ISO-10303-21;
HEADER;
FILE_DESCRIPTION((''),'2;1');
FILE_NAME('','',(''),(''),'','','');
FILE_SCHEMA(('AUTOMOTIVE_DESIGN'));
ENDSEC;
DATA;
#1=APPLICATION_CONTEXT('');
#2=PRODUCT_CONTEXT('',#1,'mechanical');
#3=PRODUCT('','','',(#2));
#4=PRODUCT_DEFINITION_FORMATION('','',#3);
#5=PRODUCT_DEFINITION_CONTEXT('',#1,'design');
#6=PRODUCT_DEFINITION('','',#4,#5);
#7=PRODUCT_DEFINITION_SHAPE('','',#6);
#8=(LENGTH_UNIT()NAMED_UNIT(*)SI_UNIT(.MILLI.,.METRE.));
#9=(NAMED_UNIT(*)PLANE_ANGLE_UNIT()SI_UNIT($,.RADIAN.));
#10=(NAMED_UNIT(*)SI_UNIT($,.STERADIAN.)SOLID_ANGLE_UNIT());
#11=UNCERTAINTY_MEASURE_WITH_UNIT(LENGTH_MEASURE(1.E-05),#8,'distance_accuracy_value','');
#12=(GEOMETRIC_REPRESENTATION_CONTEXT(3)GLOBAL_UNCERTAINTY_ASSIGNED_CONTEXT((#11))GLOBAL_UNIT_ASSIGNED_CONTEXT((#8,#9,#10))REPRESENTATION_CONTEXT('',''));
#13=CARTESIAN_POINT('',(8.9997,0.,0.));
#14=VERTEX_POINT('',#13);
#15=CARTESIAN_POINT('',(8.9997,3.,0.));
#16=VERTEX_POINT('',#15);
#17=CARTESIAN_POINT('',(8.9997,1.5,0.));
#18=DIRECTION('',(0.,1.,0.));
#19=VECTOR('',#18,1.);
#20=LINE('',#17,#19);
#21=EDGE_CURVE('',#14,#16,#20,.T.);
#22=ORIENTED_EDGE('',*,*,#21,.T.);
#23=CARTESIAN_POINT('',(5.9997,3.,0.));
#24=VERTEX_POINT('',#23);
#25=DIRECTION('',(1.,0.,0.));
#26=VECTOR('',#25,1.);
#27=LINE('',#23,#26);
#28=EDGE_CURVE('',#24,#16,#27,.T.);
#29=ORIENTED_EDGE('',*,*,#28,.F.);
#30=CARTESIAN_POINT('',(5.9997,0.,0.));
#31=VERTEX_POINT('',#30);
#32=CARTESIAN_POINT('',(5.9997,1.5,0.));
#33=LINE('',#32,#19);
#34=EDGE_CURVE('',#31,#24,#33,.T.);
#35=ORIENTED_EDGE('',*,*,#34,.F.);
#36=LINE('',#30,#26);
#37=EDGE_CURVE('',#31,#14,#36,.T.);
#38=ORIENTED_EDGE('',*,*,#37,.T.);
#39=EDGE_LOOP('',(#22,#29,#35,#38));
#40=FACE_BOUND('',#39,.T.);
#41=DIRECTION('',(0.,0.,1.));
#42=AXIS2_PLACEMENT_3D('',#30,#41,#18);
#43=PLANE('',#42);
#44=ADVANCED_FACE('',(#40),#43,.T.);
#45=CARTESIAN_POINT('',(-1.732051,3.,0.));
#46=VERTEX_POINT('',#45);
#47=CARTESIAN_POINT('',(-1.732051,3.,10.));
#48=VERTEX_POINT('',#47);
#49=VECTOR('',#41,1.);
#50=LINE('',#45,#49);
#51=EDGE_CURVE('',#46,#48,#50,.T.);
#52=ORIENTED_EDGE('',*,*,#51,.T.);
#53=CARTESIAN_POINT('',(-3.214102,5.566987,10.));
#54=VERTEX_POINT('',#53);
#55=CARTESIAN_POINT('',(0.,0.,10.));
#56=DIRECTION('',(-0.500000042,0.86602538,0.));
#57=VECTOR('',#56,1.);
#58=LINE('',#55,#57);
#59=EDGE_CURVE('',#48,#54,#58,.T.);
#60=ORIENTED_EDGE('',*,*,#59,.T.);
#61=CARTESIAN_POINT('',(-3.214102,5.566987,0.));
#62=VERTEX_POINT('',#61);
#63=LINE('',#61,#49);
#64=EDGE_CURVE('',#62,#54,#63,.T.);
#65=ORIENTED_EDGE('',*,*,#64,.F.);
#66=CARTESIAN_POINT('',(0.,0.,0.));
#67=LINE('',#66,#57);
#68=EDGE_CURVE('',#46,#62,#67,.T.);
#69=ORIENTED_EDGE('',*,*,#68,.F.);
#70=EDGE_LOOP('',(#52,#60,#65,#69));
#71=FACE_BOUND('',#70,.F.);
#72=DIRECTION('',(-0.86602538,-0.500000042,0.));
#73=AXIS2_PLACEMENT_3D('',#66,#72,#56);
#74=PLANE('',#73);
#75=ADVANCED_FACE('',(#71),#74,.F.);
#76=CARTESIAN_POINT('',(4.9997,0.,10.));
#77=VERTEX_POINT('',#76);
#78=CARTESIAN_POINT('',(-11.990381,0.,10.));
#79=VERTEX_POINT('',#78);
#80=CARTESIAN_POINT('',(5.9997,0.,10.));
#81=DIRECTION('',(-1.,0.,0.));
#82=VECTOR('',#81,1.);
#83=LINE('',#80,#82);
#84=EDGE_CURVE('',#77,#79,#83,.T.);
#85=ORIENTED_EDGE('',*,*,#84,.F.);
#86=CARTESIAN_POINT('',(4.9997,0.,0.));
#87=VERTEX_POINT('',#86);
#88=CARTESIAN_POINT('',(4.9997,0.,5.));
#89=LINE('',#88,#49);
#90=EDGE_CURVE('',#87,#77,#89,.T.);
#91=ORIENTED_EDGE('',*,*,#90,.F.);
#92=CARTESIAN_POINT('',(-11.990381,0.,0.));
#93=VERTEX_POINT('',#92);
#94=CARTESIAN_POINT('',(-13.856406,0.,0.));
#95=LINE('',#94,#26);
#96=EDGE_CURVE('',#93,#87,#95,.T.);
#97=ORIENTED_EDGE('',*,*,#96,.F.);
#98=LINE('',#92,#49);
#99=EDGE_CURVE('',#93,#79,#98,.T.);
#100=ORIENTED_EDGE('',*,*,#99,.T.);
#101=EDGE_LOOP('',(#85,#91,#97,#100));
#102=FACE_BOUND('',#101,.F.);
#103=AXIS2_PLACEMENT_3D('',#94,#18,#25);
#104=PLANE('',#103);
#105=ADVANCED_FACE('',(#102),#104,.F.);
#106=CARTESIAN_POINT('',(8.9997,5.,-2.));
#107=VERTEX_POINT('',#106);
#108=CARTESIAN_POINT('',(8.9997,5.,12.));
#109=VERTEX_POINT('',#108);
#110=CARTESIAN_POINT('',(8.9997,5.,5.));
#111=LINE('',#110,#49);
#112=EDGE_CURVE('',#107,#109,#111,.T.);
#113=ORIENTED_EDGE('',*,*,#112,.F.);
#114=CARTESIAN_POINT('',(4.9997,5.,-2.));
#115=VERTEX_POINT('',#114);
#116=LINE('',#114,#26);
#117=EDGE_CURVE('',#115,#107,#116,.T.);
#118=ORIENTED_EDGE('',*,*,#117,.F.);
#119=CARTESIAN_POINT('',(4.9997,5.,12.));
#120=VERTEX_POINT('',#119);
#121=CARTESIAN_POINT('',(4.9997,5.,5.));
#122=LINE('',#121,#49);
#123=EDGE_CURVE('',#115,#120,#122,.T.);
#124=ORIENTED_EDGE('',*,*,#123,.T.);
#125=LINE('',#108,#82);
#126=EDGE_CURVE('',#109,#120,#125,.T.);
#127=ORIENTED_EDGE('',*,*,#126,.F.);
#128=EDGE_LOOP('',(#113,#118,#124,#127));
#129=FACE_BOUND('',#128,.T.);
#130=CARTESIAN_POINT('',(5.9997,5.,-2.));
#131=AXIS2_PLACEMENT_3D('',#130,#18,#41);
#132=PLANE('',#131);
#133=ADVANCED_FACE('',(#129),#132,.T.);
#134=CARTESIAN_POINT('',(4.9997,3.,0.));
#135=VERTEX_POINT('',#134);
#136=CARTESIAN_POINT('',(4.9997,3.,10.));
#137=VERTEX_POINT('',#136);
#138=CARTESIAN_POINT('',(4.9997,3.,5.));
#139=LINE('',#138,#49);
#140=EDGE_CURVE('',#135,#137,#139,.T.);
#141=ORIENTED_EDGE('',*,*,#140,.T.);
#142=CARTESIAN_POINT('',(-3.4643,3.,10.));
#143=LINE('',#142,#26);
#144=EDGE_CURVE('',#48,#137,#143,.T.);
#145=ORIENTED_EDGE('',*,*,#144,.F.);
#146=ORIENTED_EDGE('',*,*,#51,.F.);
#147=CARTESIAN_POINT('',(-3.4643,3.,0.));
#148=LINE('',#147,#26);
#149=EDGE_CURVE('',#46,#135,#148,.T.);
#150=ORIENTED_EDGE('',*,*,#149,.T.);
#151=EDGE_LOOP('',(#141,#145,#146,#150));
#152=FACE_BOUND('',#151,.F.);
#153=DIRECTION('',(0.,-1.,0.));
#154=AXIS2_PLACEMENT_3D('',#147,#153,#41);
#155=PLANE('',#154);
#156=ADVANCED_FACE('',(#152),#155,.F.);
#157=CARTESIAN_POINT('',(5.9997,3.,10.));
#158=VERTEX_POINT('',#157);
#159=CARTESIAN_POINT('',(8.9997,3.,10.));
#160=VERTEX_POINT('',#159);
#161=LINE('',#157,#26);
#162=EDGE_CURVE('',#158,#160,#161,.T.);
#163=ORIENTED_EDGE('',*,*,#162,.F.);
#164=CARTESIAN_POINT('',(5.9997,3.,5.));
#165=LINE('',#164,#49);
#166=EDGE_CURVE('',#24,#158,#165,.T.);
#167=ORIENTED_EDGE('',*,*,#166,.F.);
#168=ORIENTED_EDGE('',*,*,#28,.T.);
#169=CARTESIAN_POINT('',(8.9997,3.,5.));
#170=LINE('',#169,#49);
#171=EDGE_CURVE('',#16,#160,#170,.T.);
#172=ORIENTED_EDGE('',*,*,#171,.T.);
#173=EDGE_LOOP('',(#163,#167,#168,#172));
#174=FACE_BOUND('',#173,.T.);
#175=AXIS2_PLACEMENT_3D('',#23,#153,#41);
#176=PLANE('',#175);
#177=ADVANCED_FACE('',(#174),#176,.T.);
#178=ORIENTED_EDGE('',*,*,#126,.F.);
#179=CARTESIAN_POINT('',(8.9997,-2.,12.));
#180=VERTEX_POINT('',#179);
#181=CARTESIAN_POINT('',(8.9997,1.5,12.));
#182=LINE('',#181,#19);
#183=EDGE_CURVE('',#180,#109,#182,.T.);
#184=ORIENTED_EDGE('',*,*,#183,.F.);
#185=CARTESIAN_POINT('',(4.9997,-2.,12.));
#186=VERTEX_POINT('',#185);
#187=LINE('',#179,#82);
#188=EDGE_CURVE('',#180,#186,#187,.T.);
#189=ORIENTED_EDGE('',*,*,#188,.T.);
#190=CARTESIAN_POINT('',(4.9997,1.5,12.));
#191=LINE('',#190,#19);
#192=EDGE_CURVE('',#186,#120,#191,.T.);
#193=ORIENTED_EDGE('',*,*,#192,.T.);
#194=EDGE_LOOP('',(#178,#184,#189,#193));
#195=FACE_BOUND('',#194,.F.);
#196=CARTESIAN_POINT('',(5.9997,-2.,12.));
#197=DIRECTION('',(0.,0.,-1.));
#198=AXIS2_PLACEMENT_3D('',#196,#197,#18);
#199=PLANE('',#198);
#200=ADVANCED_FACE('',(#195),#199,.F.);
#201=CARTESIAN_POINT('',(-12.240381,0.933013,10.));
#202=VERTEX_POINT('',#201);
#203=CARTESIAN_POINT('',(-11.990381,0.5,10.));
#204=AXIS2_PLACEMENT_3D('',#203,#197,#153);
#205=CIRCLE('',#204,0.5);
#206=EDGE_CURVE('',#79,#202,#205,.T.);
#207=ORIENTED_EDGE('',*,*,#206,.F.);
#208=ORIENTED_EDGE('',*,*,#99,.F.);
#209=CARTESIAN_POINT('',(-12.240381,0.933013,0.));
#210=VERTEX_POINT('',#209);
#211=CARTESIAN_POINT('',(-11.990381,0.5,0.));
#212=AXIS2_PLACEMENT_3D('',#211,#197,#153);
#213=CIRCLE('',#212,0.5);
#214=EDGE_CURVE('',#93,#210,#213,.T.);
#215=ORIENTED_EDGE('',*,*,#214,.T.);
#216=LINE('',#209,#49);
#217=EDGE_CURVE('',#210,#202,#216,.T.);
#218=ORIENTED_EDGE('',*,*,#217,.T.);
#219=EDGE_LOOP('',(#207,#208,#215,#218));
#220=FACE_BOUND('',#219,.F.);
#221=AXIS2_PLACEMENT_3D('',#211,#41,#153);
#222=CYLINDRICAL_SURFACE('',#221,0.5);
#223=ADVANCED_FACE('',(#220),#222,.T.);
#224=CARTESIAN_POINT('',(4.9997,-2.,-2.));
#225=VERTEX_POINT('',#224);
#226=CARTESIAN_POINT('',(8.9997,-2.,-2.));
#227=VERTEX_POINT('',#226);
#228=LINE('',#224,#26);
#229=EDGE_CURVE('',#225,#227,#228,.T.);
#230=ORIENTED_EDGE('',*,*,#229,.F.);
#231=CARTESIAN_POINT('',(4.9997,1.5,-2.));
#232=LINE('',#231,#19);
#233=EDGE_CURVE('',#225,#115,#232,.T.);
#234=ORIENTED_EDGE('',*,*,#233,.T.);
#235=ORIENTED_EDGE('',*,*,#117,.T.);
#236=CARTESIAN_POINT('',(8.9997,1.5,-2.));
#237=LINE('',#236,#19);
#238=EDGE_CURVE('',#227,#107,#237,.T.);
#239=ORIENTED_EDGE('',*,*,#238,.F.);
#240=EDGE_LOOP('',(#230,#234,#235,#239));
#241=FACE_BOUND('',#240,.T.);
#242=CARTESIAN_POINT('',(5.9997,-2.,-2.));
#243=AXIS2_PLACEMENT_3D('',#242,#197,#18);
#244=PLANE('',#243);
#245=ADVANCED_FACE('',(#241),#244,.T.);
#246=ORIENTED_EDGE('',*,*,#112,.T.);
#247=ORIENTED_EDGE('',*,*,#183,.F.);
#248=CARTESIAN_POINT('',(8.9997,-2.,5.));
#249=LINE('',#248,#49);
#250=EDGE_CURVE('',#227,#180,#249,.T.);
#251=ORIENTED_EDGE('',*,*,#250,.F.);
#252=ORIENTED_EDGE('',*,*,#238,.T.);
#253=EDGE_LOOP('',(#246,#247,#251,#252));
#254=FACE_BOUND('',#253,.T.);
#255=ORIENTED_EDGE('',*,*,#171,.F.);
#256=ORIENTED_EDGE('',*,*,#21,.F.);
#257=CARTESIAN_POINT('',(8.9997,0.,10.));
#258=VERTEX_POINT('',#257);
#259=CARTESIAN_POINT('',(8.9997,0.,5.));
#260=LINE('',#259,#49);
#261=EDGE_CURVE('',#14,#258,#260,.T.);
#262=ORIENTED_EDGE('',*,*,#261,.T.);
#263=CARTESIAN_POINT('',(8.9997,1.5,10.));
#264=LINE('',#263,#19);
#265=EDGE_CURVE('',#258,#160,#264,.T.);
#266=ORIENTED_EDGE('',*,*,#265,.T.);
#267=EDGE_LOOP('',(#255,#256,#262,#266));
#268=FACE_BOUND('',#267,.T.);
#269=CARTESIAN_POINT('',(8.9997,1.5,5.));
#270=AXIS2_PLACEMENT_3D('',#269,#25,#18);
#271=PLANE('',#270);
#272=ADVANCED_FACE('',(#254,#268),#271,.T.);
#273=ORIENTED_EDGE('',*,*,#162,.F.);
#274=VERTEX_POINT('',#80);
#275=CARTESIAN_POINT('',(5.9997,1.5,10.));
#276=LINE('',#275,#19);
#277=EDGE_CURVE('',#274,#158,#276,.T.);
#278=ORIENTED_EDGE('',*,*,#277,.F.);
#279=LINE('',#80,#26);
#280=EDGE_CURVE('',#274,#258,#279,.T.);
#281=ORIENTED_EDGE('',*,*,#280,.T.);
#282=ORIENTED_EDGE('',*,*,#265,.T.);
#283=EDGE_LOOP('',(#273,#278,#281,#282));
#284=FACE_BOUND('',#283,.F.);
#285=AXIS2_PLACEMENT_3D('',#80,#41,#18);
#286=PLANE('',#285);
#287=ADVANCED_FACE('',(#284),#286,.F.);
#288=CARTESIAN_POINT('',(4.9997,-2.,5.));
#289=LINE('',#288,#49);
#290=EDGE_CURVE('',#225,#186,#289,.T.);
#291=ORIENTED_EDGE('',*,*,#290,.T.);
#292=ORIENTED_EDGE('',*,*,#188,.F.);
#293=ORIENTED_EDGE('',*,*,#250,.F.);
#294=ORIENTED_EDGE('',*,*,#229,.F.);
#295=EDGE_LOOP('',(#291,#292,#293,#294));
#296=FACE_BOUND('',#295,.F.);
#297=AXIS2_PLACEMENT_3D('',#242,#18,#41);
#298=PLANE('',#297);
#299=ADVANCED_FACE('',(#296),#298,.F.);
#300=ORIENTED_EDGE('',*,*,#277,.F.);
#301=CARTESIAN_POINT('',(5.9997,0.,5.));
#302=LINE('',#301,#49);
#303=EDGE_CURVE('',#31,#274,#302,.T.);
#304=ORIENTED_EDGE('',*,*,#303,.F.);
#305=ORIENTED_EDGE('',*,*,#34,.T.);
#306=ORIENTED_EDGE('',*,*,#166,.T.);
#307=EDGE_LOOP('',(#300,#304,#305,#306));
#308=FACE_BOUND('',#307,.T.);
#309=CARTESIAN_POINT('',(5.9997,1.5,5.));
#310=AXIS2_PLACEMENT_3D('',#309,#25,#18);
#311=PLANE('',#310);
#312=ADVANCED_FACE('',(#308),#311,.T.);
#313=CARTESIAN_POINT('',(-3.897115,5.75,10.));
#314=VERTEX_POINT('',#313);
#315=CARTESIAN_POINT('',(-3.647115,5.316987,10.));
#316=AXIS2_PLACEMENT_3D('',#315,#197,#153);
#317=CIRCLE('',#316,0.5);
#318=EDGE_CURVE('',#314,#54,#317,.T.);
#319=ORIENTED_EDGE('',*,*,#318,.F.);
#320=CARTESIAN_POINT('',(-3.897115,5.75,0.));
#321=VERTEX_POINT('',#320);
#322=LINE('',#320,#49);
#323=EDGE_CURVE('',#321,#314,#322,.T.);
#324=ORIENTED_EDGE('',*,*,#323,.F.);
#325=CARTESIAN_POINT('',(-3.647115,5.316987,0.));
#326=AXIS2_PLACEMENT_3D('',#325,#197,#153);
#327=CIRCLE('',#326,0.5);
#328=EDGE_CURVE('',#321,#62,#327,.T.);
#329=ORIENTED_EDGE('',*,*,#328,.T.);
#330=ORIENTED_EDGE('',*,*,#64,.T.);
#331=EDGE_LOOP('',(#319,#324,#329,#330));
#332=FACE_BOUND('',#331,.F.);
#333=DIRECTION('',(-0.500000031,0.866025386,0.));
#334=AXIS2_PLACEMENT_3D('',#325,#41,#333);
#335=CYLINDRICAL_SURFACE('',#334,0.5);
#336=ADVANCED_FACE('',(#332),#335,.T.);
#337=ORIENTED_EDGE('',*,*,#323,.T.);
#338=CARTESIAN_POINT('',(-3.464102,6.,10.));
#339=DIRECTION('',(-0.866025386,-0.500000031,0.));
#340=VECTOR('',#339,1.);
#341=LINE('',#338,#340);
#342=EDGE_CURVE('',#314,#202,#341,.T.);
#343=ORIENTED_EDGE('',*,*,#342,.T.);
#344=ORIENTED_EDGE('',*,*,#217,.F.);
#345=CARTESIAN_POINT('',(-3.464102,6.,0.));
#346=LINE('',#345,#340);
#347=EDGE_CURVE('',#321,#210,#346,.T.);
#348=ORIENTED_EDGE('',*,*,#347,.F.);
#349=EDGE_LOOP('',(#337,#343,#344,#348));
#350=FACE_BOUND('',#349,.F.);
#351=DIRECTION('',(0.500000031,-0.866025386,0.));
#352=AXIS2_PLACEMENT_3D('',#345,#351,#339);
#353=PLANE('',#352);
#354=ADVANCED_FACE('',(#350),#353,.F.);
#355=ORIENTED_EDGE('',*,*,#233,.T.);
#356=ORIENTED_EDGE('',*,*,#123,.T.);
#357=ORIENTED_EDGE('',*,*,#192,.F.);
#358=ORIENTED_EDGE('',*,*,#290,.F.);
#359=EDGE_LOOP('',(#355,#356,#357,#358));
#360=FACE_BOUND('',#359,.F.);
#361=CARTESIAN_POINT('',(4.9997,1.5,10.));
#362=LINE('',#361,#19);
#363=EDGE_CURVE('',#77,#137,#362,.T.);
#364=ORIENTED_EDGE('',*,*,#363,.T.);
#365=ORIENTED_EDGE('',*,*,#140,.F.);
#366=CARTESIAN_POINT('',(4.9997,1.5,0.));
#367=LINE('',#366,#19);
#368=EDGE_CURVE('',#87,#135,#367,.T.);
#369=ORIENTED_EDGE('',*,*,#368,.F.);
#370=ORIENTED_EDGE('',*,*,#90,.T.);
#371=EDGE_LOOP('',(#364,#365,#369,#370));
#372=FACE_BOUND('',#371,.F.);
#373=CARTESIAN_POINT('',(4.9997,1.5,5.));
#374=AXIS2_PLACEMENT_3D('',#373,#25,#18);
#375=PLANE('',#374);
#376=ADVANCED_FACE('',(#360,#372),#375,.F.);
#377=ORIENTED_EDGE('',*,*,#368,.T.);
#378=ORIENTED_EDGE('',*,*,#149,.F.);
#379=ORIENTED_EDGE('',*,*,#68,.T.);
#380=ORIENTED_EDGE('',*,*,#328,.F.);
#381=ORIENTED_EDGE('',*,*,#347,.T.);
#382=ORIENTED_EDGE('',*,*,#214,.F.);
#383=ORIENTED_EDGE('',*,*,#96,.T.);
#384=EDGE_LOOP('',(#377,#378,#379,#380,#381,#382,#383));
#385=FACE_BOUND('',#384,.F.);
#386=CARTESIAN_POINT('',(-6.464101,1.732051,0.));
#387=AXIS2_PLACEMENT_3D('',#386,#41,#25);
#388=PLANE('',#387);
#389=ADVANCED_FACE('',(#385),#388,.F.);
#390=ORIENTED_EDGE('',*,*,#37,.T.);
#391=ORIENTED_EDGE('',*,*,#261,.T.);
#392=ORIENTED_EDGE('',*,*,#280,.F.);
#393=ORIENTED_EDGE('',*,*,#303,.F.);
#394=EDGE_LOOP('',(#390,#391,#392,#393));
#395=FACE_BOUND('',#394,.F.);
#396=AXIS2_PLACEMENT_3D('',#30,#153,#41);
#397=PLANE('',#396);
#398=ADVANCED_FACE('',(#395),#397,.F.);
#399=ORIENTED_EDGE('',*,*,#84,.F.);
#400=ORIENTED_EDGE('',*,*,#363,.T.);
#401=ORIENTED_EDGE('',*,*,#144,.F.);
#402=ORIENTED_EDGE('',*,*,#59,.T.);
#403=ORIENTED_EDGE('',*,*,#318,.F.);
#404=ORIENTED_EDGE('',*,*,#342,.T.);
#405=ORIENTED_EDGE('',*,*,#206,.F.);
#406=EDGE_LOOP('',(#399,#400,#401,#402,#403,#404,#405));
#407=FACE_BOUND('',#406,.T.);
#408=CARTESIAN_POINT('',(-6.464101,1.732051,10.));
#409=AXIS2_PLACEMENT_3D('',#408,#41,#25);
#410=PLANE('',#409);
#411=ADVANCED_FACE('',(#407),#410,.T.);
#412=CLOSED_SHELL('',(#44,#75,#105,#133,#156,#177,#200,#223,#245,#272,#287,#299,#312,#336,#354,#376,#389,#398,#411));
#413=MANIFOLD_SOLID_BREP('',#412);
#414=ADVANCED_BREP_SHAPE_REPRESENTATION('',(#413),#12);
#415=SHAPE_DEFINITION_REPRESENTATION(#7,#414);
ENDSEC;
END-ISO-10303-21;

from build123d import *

# Parameters (mm, degrees)
F1_DEPTH      = 10
F3_W          = 3
F3_H          = 10
F4_DEPTH      = 9.464
F5_W          = 7
F5_H          = 14
F5_W_2        = 3
F5_H_2        = 10
F6_DEPTH      = 3
F6_DEPTH_BACK = 1
F7_R          = 0.5


with BuildPart() as f1:
    # F0 (on Top) → F1 (new body)
    with BuildSketch(Plane.XY):
        Polygon((-13.856406, 0), (0, 0), (-3.464102, 6), align=None)
    extrude(amount=F1_DEPTH)

    # F3 (on offset) → F4 (join)
    with BuildSketch(Plane.YZ.offset(-3.4643)):
        with Locations((1.5, 5)):
            Rectangle(F3_W, F3_H)
    extrude(amount=F4_DEPTH)

    # F5 (on face) → F6 (join, two sides)
    with BuildSketch(Plane.YZ.offset(5.9997)) as f6_sk:
        with Locations((1.5, 5)):
            Rectangle(F5_W, F5_H)
        with Locations((1.5, 5)):
            Rectangle(F5_W_2, F5_H_2, mode=Mode.SUBTRACT)
    extrude(amount=F6_DEPTH)
    extrude(f6_sk.sketch, amount=-F6_DEPTH_BACK)

    # F7
    f7_edges = [f1.edges().sort_by_distance(p)[0] for p in [
        (-13.856406, 0, 5),
        (-3.464102, 6, 5),
    ]]
    fillet(f7_edges, radius=F7_R)


solid = f1.part
